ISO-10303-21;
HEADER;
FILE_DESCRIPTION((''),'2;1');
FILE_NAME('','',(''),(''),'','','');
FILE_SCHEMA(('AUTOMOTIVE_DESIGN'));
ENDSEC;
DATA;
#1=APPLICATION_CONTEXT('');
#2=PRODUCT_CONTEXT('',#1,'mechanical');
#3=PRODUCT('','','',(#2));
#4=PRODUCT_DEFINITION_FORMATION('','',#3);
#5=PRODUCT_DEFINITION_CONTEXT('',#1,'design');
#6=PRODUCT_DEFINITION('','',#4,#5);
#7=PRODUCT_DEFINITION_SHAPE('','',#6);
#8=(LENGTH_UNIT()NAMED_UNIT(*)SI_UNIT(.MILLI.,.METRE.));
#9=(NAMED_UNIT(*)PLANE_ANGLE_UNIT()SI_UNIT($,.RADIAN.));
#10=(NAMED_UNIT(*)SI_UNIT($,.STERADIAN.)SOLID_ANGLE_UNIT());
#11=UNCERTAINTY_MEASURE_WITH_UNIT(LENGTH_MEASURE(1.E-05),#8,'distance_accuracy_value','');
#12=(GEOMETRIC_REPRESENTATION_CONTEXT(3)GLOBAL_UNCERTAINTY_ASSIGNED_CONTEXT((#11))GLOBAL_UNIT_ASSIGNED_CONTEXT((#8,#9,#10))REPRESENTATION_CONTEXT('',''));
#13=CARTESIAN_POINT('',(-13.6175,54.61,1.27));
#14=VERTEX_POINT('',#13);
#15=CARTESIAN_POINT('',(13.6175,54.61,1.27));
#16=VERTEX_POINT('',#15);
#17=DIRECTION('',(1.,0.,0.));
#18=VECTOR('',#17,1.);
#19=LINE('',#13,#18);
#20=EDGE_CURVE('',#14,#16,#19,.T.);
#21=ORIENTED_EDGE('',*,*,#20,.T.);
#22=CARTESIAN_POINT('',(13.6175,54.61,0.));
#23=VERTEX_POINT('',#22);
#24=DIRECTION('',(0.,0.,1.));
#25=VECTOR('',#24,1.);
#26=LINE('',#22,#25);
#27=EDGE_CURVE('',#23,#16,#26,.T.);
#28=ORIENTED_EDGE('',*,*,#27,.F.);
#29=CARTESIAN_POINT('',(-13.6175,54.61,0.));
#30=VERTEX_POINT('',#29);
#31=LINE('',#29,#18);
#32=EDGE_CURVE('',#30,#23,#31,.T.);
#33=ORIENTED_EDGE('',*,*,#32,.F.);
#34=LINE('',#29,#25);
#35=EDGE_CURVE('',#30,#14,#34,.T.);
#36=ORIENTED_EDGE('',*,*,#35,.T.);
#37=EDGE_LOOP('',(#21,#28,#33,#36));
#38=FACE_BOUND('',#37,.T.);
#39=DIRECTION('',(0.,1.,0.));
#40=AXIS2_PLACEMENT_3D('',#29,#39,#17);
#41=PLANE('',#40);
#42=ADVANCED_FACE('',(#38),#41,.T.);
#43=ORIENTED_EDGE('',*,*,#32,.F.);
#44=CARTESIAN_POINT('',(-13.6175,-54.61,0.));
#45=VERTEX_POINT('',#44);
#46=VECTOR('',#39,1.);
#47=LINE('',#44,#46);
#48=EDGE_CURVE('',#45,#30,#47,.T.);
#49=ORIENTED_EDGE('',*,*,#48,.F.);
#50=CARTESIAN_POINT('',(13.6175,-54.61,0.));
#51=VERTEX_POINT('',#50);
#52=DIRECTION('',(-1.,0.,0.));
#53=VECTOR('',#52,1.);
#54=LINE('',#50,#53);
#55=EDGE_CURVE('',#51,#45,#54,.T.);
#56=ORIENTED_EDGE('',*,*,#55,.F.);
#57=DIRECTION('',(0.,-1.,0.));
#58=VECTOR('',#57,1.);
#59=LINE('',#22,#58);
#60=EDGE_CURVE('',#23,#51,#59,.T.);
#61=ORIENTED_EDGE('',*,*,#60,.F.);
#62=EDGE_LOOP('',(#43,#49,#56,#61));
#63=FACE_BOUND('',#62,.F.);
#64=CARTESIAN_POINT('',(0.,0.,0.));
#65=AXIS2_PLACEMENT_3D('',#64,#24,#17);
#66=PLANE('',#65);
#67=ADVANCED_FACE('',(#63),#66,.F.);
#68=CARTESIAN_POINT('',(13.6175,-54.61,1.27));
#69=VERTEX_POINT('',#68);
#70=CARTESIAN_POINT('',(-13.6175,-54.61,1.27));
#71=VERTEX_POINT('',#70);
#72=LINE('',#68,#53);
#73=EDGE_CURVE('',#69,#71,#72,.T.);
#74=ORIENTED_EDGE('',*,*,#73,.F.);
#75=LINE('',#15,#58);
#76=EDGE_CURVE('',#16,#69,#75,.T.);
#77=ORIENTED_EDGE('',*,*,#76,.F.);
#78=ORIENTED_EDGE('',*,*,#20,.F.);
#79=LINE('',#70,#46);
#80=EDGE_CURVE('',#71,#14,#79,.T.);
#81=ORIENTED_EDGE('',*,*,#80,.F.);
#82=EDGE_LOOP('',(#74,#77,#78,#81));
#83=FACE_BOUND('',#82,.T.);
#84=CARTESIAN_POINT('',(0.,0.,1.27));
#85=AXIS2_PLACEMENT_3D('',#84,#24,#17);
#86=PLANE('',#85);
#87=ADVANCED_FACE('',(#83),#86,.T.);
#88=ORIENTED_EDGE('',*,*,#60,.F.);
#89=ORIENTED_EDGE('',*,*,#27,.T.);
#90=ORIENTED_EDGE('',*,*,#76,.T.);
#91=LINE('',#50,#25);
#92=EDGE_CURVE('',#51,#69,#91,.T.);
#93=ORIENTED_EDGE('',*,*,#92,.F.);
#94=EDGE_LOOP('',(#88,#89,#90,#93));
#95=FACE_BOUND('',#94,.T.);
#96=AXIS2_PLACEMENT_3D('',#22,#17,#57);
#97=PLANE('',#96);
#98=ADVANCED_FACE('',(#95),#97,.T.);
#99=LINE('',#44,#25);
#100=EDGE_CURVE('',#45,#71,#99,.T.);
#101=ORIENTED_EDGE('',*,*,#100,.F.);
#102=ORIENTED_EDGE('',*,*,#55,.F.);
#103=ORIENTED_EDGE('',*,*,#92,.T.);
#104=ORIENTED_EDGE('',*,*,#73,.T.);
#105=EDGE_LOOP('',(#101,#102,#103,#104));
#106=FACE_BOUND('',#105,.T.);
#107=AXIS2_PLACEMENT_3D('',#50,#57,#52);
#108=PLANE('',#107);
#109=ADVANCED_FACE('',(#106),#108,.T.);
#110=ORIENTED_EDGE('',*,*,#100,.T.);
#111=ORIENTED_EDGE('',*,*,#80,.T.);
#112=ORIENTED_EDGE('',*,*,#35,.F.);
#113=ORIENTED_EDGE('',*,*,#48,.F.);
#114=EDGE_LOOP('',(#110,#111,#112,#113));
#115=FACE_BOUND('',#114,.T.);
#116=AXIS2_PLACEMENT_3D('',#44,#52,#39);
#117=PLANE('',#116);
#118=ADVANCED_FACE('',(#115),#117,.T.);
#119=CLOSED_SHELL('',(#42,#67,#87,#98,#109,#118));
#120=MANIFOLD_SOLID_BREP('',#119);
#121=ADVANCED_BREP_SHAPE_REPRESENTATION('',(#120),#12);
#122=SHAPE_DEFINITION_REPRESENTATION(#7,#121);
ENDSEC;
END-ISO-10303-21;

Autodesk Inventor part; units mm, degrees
ref_plane "YZ Plane" through (0, 0, 0) normal (1, 0, 0) x (0, 1, 0)
ref_plane "XZ Plane" through (0, 0, 0) normal (0, 1, 0) x (-1, 0, 0)
ref_plane "XY Plane" through (0, 0, 0) normal (0, 0, 1) x (1, 0, 0)
sketch "Sketch1" plane through (0, 0, 0) normal (0, 0, 1) x (1, 0, 0)
  line L0 (-13.6175, 54.61) -> (13.6175, 54.61)
  line L1 (13.6175, 54.61) -> (13.6175, -54.61)
  line L2 (13.6175, -54.61) -> (-13.6175, -54.61)
  line L3 (-13.6175, -54.61) -> (-13.6175, 54.61)
  line L4 (-13.6175, 54.61) -> (13.6175, -54.61) construction
  line L5 (13.6175, 54.61) -> (-13.6175, -54.61) construction
  point P0 (0, 0)
  dimension "d0" = 27.235
  dimension "d1" = 109.22
extrude "Extrusion1" add sketch "Sketch1" along normal blind 1.27
properties part number "acrylic1"
